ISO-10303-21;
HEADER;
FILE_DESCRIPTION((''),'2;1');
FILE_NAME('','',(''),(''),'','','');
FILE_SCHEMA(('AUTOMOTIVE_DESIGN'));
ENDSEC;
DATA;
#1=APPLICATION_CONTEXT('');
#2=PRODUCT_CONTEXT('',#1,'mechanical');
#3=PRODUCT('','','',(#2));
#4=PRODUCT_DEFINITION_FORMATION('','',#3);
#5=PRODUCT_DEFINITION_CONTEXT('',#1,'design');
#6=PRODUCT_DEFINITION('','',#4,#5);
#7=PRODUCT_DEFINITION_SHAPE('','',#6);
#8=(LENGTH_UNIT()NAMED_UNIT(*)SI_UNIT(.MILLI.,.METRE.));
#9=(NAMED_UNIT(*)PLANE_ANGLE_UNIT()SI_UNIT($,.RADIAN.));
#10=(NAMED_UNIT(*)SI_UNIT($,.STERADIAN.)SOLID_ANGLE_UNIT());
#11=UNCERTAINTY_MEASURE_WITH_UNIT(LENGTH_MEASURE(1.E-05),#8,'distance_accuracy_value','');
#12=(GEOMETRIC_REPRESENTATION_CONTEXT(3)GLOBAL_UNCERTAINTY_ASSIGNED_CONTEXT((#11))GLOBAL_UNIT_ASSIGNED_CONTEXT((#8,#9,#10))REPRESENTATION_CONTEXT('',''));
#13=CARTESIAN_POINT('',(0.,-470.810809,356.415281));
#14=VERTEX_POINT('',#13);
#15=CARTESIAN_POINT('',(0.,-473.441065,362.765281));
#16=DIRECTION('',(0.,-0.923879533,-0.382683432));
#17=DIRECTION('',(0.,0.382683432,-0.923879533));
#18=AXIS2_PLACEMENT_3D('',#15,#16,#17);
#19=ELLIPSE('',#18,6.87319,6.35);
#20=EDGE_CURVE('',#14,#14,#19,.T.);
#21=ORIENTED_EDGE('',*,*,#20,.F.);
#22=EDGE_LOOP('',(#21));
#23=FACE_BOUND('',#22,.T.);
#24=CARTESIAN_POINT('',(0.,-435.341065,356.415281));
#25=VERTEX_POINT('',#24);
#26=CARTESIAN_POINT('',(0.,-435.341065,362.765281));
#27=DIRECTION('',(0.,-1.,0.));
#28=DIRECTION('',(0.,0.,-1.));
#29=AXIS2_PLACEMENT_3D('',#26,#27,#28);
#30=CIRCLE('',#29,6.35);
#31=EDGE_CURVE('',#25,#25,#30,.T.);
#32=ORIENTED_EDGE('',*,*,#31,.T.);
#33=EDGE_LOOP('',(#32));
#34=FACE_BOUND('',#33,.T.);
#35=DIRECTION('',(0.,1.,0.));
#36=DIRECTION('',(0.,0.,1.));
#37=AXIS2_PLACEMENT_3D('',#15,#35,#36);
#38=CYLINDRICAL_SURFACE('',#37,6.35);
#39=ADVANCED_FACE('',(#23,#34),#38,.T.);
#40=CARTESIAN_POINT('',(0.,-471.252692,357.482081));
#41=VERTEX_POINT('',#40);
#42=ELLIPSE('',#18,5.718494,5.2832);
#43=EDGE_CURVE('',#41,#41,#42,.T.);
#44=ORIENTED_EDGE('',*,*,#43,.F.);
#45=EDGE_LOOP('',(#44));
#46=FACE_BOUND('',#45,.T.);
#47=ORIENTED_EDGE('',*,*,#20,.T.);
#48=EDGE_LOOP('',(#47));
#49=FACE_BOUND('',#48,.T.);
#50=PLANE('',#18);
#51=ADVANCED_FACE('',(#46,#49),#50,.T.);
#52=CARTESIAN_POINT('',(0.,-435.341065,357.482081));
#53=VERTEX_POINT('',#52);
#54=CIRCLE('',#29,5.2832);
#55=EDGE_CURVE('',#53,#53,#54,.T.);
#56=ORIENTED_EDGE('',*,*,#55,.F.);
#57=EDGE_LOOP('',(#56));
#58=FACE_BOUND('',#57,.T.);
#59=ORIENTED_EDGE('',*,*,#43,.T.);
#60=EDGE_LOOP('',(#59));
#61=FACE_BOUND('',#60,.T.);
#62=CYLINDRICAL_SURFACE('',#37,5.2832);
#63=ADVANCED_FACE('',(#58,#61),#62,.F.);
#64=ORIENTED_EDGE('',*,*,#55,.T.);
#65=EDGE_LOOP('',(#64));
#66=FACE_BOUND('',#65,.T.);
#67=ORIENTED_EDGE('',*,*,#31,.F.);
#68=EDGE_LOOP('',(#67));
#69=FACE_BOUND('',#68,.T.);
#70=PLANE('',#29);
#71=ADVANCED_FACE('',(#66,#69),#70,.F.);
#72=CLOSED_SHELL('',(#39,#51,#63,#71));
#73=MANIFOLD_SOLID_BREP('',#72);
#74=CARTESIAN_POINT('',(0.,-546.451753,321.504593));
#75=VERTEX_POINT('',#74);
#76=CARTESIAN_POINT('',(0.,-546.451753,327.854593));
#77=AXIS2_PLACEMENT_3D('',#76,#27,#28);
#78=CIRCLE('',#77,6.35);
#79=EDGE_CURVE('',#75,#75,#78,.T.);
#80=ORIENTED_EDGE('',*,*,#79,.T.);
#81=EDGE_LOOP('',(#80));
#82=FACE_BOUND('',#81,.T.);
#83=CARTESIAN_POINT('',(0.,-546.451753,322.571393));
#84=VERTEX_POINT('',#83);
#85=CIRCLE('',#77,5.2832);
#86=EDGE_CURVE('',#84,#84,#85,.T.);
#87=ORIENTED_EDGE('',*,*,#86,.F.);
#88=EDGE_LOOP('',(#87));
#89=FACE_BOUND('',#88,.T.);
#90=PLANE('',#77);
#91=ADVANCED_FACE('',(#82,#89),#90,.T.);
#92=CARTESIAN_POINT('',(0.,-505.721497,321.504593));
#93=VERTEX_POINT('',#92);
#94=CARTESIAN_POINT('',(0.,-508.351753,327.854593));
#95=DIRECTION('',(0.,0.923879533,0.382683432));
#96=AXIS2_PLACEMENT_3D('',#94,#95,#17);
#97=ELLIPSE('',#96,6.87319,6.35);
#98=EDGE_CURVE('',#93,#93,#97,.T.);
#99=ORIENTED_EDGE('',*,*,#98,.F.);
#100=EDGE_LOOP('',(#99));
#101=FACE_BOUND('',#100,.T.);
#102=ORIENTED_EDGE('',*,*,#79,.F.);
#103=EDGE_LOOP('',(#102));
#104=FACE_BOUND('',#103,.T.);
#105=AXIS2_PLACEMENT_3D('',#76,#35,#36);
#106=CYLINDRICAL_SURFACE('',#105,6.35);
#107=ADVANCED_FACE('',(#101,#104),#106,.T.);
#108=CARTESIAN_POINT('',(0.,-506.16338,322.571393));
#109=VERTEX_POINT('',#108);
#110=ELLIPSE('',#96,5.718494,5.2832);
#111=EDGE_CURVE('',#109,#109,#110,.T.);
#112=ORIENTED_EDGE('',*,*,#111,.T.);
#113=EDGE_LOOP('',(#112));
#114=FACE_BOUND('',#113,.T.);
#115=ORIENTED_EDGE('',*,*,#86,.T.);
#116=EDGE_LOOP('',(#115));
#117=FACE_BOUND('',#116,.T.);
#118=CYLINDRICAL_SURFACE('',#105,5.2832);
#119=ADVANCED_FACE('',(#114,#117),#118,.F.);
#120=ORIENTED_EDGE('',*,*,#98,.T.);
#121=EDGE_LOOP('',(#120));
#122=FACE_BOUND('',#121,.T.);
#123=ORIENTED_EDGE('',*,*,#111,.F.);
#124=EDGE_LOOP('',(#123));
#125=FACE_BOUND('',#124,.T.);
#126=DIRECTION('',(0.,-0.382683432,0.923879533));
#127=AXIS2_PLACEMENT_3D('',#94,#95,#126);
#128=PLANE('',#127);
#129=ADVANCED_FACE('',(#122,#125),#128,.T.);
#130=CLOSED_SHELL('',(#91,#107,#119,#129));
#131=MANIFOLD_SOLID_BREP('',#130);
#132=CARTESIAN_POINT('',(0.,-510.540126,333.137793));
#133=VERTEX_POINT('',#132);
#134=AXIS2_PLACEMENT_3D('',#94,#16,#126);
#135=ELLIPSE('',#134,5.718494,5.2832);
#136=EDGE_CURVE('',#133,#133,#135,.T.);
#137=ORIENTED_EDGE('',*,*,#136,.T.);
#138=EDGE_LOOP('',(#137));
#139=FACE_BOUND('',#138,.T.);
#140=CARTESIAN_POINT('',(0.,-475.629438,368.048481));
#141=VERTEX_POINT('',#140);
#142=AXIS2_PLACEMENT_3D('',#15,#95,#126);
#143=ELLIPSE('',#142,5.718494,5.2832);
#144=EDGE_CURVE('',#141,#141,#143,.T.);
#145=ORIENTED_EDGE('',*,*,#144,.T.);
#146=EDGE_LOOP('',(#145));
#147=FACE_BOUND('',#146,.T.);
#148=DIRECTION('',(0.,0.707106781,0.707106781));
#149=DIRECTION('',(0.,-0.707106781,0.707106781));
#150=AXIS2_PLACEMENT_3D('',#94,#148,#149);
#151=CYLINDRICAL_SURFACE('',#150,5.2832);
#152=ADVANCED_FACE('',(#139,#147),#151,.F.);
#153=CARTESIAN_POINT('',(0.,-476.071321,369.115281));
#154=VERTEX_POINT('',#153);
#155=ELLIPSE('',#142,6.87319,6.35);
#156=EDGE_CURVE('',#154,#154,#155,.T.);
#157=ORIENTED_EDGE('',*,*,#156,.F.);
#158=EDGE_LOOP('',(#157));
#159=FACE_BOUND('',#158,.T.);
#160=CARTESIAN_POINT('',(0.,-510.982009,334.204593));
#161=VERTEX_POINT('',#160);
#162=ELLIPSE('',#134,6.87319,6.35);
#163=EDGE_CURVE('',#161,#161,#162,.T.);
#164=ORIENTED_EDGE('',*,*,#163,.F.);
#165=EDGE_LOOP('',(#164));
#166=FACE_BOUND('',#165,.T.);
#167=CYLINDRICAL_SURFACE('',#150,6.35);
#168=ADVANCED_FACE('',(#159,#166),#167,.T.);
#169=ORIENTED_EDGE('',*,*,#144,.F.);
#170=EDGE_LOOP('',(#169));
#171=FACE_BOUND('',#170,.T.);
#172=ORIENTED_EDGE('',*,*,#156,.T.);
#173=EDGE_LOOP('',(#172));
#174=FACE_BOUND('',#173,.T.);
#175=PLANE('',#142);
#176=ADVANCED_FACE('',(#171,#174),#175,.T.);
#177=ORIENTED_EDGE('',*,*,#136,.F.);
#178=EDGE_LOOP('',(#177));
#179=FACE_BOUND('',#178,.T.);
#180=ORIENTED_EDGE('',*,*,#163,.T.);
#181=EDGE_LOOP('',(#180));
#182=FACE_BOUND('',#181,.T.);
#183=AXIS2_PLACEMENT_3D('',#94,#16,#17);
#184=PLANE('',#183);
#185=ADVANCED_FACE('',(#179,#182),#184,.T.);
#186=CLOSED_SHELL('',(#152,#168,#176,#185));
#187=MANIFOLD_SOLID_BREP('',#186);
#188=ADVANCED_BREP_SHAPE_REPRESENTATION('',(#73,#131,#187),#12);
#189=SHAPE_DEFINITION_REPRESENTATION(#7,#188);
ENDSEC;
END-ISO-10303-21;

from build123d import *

# Parameters (mm, degrees)
SKETCH11_R                = 6.35
SKETCH11_R_2              = 5.2832
PIPE_0_5_SCH_40_1_DEPTH   = 42.819743879
SKETCH11_ON_SEGMENT_2_R   = 6.35
SKETCH11_ON_SEGMENT_2_R_2 = 5.2832
PIPE_0_5_SCH_40_1_2_DEPTH = 58.810656537
SKETCH11_ON_SEGMENT_3_R   = 6.35
SKETCH11_ON_SEGMENT_3_R_2 = 5.2832
PIPE_0_5_SCH_40_1_3_DEPTH = 42.819743879


with BuildPart() as part:
    # Sketch11 → Pipe 0.5 SCH 40(1) (new body)
    with BuildSketch(Plane(origin=(0, -435.341064838, 362.765281468), x_dir=(0, 0, -1), z_dir=(0, -1, 0))):
        Circle(SKETCH11_R)
        Circle(SKETCH11_R_2, mode=Mode.SUBTRACT)
    extrude(amount=PIPE_0_5_SCH_40_1_DEPTH)

    # Pipe 0.5 SCH 40(1) mitre 1
    split(bisect_by=Plane(origin=(0, -473.441064838, 362.765281468), x_dir=(-1, 0, 0), z_dir=(0, 0.923879533, 0.382683432)), keep=Keep.TOP)


with BuildPart() as body_2:
    # Sketch11 on segment 2 (carried to segment 2) → Pipe 0.5 SCH 40_1 2 (new body)
    with BuildSketch(Plane(origin=(0, -470.103701936, 366.10264437), x_dir=(0, 0.707106781, -0.707106781), z_dir=(0, -0.707106781, -0.707106781))):
        Circle(SKETCH11_ON_SEGMENT_2_R)
        Circle(SKETCH11_ON_SEGMENT_2_R_2, mode=Mode.SUBTRACT)
    extrude(amount=PIPE_0_5_SCH_40_1_2_DEPTH)

    # Pipe 0.5 SCH 40_1 2 mitre 1
    split(bisect_by=Plane(origin=(0, -473.441064838, 362.765281468), x_dir=(1, 0, 0), z_dir=(0, -0.923879533, -0.382683432)), keep=Keep.TOP)

    # Pipe 0.5 SCH 40_1 2 mitre 2
    split(bisect_by=Plane(origin=(0, -508.351753077, 327.854593229), x_dir=(-1, 0, 0), z_dir=(0, 0.923879533, 0.382683432)), keep=Keep.TOP)


with BuildPart() as body_3:
    # Sketch11 on segment 3 (carried to segment 3) → Pipe 0.5 SCH 40_1 3 (new body)
    with BuildSketch(Plane(origin=(0, -503.632009198, 327.854593229), x_dir=(0, 0, -1), z_dir=(0, -1, 0))):
        Circle(SKETCH11_ON_SEGMENT_3_R)
        Circle(SKETCH11_ON_SEGMENT_3_R_2, mode=Mode.SUBTRACT)
    extrude(amount=PIPE_0_5_SCH_40_1_3_DEPTH)

    # Pipe 0.5 SCH 40_1 3 mitre 1
    split(bisect_by=Plane(origin=(0, -508.351753077, 327.854593229), x_dir=(1, 0, 0), z_dir=(0, -0.923879533, -0.382683432)), keep=Keep.TOP)


solid = Compound([part.part, body_2.part, body_3.part])
